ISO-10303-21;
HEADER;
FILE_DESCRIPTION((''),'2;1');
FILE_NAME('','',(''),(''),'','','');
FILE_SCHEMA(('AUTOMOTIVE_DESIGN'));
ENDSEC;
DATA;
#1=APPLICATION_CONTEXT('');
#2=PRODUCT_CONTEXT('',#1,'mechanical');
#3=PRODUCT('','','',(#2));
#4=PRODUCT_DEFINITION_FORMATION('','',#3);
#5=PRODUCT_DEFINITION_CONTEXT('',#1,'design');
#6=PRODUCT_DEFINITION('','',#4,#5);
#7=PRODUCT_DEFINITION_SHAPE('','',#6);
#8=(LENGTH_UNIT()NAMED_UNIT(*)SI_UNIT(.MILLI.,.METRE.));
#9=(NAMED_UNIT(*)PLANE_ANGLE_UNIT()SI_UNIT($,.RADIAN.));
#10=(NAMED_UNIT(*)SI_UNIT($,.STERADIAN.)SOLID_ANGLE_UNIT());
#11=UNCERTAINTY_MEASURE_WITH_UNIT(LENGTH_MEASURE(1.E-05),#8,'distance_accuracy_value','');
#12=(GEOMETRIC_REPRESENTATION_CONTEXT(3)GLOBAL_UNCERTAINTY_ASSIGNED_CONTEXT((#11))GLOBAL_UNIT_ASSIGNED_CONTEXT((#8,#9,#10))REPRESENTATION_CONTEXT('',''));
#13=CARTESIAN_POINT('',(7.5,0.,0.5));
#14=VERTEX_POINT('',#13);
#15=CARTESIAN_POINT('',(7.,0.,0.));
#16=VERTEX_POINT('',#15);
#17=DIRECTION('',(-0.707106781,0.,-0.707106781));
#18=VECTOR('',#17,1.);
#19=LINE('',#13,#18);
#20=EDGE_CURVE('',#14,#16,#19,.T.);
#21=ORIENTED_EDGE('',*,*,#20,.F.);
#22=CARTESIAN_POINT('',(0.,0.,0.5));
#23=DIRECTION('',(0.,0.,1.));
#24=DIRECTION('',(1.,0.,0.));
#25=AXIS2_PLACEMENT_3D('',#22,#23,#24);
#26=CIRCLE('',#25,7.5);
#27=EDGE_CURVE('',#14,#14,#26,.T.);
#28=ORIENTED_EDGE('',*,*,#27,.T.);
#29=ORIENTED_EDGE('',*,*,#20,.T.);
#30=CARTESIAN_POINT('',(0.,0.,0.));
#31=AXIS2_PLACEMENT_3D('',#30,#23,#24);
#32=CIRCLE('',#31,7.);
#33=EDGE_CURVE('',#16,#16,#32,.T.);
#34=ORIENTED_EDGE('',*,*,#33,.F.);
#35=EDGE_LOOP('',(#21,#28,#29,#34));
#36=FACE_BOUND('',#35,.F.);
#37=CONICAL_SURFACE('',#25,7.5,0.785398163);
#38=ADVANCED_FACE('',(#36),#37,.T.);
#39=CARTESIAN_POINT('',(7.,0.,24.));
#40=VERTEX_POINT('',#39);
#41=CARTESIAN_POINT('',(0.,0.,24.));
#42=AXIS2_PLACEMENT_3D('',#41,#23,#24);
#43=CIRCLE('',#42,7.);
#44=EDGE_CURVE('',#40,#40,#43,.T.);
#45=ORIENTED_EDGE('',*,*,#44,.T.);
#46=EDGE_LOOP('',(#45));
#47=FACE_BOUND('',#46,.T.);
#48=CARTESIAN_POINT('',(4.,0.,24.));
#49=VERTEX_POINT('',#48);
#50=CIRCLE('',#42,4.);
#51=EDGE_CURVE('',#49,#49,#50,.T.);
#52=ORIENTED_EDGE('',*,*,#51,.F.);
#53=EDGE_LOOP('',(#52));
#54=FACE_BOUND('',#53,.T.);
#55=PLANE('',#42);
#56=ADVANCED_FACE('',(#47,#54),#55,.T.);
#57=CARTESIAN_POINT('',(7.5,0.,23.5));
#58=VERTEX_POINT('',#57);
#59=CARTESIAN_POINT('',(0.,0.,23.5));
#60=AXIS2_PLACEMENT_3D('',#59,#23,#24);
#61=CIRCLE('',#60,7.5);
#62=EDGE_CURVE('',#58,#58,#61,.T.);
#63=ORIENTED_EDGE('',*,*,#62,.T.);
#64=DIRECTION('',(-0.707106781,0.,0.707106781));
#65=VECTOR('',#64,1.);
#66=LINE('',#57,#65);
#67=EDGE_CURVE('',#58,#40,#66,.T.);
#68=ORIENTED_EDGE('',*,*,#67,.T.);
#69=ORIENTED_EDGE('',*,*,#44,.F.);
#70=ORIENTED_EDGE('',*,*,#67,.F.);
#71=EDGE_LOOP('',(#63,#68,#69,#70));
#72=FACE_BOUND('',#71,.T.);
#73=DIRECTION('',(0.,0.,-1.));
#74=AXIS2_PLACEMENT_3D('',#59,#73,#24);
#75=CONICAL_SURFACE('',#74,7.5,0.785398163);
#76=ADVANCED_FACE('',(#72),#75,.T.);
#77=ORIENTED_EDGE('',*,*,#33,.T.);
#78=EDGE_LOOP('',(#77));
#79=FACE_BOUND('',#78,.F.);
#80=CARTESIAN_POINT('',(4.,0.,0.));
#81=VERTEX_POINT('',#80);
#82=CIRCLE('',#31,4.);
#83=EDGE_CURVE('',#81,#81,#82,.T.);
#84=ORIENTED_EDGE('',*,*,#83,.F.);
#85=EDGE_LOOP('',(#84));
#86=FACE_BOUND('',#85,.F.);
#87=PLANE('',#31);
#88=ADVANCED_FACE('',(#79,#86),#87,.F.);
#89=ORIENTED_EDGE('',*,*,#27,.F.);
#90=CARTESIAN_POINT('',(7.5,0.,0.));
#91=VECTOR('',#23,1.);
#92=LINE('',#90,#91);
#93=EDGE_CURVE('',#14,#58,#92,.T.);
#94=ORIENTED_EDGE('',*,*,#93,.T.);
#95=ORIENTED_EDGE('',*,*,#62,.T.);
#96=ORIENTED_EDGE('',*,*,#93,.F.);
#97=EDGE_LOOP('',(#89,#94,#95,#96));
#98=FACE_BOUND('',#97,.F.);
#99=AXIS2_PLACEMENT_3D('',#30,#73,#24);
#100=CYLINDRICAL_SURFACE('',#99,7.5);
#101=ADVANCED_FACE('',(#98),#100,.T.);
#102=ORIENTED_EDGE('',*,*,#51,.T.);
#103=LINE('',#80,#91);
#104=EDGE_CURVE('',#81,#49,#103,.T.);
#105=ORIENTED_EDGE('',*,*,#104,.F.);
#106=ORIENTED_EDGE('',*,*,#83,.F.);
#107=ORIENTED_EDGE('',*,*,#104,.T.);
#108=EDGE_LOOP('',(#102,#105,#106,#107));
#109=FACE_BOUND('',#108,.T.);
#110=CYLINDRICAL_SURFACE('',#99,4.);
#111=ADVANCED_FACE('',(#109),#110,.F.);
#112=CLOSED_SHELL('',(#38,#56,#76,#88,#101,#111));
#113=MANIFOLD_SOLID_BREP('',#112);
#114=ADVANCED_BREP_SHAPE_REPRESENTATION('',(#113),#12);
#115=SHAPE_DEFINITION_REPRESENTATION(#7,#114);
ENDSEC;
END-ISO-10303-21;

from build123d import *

# Parameters (mm, degrees)
SKETCH_R     = 7.5
SKETCH_R_2   = 4
PAD_DEPTH    = 24
CHAMFER_SIZE = 0.5


with BuildPart() as part:
    # Sketch → Pad (new body)
    with BuildSketch(Plane.XY):
        Circle(SKETCH_R)
        Circle(SKETCH_R_2, mode=Mode.SUBTRACT)
    extrude(amount=PAD_DEPTH)

    # Chamfer
    chamfer_edges = [part.edges().sort_by_distance(p)[0] for p in [
        (-7.5, 0, 24),
        (-7.5, 0, 0),
    ]]
    chamfer(chamfer_edges, length=CHAMFER_SIZE)


solid = part.part
